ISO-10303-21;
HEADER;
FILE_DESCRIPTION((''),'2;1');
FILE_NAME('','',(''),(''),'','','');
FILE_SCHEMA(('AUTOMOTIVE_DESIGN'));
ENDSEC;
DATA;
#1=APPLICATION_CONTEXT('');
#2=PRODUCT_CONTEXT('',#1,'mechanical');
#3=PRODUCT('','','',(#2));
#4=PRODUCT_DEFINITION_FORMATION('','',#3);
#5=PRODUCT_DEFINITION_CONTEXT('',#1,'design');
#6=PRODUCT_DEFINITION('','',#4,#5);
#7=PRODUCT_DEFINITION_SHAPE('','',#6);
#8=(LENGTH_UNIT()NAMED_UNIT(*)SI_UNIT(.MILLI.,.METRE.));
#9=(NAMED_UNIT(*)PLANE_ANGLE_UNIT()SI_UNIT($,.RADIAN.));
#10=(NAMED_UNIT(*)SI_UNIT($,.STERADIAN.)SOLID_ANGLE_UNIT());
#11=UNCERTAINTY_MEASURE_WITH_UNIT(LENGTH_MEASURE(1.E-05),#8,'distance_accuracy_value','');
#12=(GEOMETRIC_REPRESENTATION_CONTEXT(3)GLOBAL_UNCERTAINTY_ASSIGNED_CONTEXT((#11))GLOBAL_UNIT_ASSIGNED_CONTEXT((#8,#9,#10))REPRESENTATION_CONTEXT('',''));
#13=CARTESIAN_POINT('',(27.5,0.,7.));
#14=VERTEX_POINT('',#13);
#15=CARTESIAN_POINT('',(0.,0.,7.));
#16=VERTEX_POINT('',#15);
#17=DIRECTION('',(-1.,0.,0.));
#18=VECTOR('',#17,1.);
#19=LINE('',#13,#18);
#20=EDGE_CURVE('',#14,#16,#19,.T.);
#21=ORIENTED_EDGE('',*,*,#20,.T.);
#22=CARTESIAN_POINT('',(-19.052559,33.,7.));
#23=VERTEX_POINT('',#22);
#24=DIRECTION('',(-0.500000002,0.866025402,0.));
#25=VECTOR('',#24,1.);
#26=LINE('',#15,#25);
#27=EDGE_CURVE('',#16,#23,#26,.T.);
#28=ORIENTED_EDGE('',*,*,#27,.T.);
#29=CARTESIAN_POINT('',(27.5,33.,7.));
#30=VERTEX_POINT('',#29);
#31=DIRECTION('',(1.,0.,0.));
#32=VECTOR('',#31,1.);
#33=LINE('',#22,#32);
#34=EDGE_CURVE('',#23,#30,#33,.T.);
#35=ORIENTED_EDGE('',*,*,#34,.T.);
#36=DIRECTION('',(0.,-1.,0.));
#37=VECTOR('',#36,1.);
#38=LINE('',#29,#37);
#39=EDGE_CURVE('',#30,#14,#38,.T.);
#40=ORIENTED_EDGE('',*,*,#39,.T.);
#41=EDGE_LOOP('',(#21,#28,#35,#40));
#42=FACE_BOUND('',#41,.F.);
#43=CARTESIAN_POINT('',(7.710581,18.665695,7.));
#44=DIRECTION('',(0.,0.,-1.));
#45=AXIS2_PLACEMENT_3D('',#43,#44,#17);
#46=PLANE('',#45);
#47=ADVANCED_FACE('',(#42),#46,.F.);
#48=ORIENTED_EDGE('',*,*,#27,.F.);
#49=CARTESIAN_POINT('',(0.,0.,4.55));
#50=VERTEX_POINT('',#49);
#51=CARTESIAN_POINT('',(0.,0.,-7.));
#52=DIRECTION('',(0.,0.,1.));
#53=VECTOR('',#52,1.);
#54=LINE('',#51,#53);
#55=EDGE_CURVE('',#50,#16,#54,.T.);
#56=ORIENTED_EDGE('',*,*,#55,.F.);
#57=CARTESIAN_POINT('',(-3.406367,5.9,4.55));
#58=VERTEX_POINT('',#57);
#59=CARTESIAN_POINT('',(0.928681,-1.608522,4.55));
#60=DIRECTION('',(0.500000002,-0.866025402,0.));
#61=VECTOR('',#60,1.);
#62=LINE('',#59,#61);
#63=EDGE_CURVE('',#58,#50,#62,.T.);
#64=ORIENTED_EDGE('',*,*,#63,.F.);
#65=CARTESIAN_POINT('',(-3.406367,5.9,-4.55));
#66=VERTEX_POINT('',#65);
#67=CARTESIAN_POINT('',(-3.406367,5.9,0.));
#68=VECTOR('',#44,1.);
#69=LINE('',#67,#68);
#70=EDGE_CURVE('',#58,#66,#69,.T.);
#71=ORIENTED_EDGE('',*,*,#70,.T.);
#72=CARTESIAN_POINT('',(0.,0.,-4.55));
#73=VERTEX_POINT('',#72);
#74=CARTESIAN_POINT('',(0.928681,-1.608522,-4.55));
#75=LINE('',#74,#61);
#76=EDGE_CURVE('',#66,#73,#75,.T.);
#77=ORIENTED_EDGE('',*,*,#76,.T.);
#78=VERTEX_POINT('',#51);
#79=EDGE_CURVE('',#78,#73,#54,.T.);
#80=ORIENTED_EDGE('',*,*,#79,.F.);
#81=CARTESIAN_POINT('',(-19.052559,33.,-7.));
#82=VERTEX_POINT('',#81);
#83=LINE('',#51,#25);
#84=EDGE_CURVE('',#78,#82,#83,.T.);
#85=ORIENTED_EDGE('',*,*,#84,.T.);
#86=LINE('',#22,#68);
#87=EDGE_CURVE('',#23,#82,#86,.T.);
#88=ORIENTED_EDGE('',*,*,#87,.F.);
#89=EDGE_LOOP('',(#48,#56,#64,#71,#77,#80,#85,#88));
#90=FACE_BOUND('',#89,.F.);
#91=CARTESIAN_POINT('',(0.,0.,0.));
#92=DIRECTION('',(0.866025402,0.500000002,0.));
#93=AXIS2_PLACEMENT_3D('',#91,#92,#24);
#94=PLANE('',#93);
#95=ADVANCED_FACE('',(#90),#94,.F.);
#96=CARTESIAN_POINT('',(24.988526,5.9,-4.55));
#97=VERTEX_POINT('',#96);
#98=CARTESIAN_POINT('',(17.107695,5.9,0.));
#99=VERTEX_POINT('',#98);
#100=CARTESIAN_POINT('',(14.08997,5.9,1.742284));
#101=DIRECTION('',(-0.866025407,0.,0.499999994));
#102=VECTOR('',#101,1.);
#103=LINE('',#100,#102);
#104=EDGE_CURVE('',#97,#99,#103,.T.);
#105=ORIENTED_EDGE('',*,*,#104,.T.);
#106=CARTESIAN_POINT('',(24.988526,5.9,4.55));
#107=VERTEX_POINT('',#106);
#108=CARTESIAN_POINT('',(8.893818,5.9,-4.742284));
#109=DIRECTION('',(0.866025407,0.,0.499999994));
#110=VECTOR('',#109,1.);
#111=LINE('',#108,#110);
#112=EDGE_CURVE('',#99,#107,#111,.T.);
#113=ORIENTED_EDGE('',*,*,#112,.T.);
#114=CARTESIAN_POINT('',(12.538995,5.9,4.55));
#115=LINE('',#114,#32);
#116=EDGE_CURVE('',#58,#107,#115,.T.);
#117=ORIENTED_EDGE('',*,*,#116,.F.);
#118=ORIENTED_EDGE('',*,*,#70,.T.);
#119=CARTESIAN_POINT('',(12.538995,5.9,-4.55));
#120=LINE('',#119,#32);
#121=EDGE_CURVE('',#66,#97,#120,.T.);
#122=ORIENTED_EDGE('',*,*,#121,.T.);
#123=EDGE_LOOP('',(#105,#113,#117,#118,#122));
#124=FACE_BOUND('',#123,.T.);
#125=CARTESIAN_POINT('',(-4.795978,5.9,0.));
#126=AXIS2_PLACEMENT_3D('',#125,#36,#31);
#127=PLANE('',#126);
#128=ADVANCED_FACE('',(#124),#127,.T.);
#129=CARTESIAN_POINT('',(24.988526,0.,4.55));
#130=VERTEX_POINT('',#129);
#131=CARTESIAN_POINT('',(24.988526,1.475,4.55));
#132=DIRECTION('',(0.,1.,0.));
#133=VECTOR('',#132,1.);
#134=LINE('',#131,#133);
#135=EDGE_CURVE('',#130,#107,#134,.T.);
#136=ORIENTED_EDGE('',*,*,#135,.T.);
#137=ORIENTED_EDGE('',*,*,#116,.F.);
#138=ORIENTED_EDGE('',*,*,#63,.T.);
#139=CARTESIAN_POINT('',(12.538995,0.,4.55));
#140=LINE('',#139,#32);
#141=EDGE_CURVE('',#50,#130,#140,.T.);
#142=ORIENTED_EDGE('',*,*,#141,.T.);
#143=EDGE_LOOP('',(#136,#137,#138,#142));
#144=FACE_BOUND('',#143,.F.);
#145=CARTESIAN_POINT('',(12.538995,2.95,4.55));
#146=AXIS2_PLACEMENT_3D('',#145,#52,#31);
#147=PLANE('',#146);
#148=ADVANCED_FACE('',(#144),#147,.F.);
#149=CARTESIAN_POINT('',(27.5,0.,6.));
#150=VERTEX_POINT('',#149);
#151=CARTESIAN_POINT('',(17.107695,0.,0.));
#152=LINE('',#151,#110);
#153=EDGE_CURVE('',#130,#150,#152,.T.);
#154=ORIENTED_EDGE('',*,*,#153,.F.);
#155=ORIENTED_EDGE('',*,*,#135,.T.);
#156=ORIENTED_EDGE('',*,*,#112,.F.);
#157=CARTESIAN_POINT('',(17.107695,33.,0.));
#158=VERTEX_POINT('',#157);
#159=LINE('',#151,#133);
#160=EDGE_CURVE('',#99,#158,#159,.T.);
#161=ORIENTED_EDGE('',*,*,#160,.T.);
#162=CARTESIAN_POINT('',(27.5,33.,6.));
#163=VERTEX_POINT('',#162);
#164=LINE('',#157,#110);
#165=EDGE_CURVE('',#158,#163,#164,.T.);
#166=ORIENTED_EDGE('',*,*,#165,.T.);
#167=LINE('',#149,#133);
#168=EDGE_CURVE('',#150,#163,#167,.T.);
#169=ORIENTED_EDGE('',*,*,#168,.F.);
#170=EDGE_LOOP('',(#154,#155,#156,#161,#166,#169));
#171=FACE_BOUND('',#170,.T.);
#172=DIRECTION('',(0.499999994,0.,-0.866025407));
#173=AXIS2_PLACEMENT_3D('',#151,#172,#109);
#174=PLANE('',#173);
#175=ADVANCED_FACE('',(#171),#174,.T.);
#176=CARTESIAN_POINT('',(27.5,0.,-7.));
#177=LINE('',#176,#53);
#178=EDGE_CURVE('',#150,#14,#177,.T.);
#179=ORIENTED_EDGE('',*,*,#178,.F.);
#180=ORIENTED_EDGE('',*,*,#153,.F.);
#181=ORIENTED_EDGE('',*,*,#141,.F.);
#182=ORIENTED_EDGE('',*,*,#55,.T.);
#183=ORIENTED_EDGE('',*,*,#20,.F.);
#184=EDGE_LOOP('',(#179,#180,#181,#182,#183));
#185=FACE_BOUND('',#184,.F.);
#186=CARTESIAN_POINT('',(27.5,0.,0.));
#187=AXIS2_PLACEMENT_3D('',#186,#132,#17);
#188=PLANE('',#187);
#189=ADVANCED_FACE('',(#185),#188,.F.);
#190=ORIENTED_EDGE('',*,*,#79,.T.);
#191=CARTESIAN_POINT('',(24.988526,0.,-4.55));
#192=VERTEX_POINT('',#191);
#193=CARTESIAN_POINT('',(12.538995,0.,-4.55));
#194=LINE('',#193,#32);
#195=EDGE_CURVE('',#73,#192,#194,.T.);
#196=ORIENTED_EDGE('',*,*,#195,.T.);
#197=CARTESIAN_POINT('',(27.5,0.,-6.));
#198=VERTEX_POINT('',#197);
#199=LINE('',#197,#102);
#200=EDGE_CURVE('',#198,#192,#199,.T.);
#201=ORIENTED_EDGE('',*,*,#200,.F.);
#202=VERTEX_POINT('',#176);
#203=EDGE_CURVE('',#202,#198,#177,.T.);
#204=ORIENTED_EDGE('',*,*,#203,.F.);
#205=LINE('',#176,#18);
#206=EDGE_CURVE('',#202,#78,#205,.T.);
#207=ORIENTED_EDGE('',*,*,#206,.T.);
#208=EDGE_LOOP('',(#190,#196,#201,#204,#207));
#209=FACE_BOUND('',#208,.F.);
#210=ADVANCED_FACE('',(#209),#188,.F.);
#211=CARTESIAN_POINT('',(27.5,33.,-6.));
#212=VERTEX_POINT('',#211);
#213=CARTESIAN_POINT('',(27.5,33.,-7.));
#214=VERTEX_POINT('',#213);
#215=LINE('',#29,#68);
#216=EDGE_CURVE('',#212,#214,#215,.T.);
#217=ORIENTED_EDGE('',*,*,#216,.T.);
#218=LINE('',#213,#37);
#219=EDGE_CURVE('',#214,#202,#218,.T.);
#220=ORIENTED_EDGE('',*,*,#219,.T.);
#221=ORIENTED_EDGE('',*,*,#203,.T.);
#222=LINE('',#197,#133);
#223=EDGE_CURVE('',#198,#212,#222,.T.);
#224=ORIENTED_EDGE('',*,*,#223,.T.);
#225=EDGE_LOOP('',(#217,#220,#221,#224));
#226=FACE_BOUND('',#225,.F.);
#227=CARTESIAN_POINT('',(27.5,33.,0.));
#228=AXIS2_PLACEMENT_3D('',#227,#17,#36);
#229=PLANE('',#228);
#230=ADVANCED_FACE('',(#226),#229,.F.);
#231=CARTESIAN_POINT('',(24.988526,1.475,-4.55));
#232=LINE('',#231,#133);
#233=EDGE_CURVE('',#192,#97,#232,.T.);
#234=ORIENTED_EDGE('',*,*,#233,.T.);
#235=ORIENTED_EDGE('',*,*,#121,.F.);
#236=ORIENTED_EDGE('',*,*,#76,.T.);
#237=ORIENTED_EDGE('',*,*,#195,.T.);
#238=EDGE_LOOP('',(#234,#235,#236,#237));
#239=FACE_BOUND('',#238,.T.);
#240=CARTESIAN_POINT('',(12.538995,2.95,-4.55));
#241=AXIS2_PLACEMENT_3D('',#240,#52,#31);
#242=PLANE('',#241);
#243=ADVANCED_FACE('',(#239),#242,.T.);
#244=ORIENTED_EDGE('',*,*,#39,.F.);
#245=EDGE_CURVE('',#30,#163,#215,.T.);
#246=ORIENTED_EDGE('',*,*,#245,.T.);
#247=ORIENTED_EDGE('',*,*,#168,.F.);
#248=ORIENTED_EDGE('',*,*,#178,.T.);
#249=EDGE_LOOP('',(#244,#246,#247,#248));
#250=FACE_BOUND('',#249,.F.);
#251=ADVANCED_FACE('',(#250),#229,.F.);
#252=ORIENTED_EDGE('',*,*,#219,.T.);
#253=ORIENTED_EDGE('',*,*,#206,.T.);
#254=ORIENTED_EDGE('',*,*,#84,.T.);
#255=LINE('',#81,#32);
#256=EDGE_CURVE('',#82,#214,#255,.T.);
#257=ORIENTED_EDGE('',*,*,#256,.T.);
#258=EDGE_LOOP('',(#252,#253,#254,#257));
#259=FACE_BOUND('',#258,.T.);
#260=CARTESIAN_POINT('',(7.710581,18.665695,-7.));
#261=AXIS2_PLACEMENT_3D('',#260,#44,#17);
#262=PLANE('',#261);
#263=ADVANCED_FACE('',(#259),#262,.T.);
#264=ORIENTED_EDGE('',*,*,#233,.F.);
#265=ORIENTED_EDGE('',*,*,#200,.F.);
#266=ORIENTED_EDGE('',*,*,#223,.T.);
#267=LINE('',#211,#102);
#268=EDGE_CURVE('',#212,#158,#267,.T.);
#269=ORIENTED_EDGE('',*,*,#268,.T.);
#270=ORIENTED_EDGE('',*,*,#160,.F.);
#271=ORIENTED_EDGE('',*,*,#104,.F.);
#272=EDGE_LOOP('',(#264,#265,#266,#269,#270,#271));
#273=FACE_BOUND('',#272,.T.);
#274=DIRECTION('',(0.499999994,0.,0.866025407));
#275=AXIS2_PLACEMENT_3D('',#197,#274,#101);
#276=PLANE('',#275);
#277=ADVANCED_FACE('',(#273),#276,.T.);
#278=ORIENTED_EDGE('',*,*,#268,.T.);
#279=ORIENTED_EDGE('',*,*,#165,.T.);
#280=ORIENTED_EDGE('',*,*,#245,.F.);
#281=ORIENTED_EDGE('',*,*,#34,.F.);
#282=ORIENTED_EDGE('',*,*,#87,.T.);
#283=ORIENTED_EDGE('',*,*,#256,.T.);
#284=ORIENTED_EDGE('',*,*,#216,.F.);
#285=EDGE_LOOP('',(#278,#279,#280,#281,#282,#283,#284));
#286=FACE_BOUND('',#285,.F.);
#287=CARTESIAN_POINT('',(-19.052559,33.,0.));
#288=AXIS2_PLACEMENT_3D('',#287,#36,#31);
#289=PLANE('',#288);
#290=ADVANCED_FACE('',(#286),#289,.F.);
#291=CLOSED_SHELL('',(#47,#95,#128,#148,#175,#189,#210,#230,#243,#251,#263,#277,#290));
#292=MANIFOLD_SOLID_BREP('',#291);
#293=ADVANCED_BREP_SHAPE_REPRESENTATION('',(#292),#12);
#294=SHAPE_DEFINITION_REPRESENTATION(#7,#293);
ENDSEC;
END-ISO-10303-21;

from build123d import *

# Parameters (mm, degrees)
EXTRUDE003_DEPTH = 33
SKETCH001_W      = 34.669946
SKETCH001_H      = 5.9
EXTRUDE001_DEPTH = 4.55
EXTRUDE_DEPTH    = 7


with BuildPart() as extrude003:
    # Sketch002 (on Cut) → Extrude003 (new body)
    with BuildSketch(Plane.XZ):
        Polygon((27.5, 6), (27.5, -6), (17.107695, 0), align=None)
    extrude(amount=-EXTRUDE003_DEPTH)


with BuildPart() as extrude001:
    # Sketch001 (on Extrude) → Extrude001 (new body, symmetric)
    with BuildSketch(Plane.XY):
        with Locations((12.538995, 2.95)):
            Rectangle(SKETCH001_W, SKETCH001_H)
    extrude(amount=EXTRUDE001_DEPTH, both=True)


with BuildPart() as cut001:
    # Sketch → Extrude (new body, symmetric)
    with BuildSketch(Plane.XY):
        Polygon((0, 0), (-19.052559, 33), (27.5, 33), (27.5, 0), align=None)
    extrude(amount=EXTRUDE_DEPTH, both=True)

    # Cut: cut Extrude001
    add(extrude001.part, mode=Mode.SUBTRACT)

    # Cut001: cut Extrude003
    add(extrude003.part, mode=Mode.SUBTRACT)


solid = cut001.part
